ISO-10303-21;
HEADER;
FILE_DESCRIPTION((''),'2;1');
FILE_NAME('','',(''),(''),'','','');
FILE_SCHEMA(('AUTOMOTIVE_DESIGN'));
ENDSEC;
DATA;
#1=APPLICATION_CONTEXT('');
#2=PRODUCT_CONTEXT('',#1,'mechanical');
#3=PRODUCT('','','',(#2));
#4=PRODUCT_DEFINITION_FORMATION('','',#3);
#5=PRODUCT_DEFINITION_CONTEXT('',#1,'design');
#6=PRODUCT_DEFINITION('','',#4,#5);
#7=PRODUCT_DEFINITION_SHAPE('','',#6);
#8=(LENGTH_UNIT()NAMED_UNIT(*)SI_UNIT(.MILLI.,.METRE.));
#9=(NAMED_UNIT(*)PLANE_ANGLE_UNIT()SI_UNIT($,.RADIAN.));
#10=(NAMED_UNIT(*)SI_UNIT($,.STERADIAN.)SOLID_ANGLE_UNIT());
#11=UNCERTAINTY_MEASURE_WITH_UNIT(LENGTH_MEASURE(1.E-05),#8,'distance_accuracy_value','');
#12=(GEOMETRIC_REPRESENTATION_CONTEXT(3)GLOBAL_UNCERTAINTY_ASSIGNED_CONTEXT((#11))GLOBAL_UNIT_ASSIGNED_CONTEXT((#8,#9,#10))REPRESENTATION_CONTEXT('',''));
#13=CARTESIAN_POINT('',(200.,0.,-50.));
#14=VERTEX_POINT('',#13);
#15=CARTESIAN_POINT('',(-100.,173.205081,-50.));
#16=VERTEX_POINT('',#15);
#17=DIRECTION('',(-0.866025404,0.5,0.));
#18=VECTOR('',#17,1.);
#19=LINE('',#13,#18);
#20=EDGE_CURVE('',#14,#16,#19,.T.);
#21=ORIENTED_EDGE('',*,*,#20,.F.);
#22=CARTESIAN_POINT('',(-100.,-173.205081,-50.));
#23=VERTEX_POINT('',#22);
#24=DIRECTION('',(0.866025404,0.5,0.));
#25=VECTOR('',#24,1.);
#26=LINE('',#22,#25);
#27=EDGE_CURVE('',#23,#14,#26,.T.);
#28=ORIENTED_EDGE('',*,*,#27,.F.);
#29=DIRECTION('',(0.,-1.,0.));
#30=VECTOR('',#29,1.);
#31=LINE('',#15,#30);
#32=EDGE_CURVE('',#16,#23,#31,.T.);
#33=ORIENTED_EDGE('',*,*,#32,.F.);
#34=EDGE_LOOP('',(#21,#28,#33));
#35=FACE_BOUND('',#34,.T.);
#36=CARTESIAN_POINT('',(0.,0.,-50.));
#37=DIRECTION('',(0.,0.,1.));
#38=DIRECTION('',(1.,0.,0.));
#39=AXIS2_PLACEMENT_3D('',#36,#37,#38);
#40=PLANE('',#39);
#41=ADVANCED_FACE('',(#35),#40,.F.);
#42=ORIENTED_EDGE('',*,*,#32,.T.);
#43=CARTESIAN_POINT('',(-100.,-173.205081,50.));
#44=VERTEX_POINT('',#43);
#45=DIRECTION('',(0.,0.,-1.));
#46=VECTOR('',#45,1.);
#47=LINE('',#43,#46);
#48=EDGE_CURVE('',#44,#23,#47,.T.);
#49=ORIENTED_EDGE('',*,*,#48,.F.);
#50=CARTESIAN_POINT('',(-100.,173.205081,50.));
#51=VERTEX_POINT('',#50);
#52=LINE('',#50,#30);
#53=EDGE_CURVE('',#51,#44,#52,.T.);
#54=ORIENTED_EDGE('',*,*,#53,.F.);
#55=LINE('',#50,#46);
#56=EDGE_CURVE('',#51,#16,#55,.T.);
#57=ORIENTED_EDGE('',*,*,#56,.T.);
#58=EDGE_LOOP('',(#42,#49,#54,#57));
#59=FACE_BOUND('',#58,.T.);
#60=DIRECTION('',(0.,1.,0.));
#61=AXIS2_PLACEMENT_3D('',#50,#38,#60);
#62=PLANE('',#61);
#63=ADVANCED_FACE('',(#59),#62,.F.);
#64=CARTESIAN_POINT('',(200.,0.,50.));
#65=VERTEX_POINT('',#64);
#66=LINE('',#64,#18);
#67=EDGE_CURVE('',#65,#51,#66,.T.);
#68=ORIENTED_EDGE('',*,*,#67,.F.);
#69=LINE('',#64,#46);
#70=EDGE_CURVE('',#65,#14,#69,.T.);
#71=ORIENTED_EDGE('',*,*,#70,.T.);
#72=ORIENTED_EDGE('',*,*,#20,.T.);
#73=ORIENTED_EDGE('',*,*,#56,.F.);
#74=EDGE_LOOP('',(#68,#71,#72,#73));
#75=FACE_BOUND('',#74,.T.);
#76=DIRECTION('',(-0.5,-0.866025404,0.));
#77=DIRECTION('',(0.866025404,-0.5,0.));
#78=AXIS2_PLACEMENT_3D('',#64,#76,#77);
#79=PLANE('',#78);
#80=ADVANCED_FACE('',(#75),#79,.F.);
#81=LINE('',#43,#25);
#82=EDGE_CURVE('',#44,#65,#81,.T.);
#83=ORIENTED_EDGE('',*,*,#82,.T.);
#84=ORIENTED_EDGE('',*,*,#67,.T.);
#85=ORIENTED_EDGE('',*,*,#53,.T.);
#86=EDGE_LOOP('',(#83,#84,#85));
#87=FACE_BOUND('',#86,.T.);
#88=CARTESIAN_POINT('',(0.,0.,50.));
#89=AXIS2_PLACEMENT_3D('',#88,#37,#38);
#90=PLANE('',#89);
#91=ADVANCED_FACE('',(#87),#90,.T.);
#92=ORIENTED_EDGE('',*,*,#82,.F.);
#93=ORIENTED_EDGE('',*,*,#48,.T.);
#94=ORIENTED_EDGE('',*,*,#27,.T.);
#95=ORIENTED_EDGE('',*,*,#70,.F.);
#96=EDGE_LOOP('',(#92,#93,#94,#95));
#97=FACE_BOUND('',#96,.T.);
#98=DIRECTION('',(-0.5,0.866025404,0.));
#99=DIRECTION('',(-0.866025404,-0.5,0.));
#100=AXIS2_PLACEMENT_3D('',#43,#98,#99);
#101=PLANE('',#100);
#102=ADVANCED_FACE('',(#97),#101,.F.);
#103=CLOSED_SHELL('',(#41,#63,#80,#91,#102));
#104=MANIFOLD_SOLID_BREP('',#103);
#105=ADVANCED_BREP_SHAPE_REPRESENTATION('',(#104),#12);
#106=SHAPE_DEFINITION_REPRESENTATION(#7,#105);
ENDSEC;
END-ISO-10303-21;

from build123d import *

# Parameters (mm, degrees)
EXTRUDE_1_DEPTH = 50


with BuildPart() as part:
    # 草图1 → 凸台-拉伸1 (new, symmetric)
    with BuildSketch(Plane.XY):
        Polygon((200, 0), (-100, 173.205080757), (-100, -173.205080757), align=None)
    extrude(amount=EXTRUDE_1_DEPTH, both=True)


solid = part.part
